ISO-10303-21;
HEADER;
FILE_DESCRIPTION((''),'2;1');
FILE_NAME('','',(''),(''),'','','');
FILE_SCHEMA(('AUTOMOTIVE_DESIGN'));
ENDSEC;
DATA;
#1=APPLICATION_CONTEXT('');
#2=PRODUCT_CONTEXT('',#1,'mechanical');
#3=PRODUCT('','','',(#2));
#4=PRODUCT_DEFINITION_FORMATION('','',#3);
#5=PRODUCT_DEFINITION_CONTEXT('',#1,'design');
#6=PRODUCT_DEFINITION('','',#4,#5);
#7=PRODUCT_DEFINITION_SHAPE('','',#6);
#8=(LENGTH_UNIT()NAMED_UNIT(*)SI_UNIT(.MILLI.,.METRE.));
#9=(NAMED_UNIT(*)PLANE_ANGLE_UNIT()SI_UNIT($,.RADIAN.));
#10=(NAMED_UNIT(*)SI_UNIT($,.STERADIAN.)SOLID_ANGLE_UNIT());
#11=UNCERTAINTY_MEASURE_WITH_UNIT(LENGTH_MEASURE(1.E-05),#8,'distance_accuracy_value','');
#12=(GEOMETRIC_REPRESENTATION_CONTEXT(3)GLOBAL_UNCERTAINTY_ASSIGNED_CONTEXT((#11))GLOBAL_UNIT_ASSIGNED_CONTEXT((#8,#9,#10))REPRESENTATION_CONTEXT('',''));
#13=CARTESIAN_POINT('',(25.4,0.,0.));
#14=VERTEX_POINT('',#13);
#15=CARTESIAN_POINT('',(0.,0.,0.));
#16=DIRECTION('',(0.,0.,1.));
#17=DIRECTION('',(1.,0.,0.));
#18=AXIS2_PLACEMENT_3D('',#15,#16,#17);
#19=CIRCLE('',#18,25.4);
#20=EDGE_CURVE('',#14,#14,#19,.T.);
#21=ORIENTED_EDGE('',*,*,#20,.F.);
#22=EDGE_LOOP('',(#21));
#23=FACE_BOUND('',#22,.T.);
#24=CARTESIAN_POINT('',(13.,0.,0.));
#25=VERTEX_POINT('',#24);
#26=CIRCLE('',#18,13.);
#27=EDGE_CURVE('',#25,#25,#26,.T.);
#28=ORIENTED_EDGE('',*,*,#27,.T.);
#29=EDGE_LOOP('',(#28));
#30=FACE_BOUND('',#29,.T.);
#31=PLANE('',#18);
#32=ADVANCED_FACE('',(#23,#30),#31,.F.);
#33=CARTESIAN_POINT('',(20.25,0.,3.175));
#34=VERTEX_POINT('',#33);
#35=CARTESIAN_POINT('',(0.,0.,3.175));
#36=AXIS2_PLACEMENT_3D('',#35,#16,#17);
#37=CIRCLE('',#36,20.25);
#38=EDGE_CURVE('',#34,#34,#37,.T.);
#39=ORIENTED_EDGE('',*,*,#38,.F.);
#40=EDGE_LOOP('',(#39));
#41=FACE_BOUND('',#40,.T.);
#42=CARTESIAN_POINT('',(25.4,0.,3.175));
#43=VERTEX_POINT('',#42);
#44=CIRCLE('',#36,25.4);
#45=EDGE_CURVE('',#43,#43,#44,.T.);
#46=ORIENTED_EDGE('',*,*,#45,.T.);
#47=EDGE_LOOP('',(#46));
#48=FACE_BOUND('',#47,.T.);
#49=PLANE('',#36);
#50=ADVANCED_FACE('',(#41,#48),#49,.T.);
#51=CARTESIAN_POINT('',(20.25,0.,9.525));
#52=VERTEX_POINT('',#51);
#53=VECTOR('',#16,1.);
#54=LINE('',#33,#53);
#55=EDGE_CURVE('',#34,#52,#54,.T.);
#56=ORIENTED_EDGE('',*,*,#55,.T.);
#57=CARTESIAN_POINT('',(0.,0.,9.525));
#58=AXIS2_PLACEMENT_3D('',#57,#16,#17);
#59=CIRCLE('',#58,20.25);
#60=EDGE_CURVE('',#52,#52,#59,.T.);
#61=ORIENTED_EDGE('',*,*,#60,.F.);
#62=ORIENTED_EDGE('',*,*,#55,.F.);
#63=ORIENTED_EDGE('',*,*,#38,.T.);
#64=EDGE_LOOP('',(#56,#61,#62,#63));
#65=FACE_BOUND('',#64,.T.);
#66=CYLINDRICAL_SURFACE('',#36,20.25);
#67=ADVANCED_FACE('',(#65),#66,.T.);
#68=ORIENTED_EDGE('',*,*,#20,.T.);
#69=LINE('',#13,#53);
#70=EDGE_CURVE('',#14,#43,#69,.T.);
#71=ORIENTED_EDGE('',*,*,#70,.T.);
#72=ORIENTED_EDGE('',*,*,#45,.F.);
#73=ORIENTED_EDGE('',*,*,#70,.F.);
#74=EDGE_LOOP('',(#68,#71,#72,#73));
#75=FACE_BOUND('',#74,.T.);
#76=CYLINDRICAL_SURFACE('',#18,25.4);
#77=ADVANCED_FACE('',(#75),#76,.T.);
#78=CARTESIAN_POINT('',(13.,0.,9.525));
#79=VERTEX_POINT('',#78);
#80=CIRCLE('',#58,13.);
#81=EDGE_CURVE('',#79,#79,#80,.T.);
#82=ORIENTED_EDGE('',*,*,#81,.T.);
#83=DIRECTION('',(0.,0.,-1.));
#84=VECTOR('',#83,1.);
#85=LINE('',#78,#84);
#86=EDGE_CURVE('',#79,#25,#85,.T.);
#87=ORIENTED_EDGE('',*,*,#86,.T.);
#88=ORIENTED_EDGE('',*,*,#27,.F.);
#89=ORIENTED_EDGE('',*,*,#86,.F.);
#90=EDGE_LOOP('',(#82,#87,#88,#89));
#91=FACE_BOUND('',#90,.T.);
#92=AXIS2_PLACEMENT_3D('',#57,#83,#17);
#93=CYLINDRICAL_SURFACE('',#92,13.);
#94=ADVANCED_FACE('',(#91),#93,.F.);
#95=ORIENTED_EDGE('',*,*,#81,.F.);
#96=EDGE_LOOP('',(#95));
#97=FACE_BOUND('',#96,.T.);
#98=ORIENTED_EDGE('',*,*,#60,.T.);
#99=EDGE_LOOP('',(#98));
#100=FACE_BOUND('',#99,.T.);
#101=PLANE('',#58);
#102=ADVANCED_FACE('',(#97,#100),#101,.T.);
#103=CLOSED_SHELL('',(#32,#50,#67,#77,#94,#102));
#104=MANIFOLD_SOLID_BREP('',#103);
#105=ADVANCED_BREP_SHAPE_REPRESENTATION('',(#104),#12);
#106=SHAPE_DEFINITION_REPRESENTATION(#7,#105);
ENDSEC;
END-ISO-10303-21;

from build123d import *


with BuildPart() as part:
    # Sketch → Revolution (revolve)
    with BuildSketch(Plane.XZ):
        Polygon((13, 0), (25.4, 0), (25.4, 3.175), (20.25, 3.175), (20.25, 9.525), (13, 9.525), align=None)
    revolve(axis=Axis((0, 0, 0), (0, 0, 1)))


solid = part.part
